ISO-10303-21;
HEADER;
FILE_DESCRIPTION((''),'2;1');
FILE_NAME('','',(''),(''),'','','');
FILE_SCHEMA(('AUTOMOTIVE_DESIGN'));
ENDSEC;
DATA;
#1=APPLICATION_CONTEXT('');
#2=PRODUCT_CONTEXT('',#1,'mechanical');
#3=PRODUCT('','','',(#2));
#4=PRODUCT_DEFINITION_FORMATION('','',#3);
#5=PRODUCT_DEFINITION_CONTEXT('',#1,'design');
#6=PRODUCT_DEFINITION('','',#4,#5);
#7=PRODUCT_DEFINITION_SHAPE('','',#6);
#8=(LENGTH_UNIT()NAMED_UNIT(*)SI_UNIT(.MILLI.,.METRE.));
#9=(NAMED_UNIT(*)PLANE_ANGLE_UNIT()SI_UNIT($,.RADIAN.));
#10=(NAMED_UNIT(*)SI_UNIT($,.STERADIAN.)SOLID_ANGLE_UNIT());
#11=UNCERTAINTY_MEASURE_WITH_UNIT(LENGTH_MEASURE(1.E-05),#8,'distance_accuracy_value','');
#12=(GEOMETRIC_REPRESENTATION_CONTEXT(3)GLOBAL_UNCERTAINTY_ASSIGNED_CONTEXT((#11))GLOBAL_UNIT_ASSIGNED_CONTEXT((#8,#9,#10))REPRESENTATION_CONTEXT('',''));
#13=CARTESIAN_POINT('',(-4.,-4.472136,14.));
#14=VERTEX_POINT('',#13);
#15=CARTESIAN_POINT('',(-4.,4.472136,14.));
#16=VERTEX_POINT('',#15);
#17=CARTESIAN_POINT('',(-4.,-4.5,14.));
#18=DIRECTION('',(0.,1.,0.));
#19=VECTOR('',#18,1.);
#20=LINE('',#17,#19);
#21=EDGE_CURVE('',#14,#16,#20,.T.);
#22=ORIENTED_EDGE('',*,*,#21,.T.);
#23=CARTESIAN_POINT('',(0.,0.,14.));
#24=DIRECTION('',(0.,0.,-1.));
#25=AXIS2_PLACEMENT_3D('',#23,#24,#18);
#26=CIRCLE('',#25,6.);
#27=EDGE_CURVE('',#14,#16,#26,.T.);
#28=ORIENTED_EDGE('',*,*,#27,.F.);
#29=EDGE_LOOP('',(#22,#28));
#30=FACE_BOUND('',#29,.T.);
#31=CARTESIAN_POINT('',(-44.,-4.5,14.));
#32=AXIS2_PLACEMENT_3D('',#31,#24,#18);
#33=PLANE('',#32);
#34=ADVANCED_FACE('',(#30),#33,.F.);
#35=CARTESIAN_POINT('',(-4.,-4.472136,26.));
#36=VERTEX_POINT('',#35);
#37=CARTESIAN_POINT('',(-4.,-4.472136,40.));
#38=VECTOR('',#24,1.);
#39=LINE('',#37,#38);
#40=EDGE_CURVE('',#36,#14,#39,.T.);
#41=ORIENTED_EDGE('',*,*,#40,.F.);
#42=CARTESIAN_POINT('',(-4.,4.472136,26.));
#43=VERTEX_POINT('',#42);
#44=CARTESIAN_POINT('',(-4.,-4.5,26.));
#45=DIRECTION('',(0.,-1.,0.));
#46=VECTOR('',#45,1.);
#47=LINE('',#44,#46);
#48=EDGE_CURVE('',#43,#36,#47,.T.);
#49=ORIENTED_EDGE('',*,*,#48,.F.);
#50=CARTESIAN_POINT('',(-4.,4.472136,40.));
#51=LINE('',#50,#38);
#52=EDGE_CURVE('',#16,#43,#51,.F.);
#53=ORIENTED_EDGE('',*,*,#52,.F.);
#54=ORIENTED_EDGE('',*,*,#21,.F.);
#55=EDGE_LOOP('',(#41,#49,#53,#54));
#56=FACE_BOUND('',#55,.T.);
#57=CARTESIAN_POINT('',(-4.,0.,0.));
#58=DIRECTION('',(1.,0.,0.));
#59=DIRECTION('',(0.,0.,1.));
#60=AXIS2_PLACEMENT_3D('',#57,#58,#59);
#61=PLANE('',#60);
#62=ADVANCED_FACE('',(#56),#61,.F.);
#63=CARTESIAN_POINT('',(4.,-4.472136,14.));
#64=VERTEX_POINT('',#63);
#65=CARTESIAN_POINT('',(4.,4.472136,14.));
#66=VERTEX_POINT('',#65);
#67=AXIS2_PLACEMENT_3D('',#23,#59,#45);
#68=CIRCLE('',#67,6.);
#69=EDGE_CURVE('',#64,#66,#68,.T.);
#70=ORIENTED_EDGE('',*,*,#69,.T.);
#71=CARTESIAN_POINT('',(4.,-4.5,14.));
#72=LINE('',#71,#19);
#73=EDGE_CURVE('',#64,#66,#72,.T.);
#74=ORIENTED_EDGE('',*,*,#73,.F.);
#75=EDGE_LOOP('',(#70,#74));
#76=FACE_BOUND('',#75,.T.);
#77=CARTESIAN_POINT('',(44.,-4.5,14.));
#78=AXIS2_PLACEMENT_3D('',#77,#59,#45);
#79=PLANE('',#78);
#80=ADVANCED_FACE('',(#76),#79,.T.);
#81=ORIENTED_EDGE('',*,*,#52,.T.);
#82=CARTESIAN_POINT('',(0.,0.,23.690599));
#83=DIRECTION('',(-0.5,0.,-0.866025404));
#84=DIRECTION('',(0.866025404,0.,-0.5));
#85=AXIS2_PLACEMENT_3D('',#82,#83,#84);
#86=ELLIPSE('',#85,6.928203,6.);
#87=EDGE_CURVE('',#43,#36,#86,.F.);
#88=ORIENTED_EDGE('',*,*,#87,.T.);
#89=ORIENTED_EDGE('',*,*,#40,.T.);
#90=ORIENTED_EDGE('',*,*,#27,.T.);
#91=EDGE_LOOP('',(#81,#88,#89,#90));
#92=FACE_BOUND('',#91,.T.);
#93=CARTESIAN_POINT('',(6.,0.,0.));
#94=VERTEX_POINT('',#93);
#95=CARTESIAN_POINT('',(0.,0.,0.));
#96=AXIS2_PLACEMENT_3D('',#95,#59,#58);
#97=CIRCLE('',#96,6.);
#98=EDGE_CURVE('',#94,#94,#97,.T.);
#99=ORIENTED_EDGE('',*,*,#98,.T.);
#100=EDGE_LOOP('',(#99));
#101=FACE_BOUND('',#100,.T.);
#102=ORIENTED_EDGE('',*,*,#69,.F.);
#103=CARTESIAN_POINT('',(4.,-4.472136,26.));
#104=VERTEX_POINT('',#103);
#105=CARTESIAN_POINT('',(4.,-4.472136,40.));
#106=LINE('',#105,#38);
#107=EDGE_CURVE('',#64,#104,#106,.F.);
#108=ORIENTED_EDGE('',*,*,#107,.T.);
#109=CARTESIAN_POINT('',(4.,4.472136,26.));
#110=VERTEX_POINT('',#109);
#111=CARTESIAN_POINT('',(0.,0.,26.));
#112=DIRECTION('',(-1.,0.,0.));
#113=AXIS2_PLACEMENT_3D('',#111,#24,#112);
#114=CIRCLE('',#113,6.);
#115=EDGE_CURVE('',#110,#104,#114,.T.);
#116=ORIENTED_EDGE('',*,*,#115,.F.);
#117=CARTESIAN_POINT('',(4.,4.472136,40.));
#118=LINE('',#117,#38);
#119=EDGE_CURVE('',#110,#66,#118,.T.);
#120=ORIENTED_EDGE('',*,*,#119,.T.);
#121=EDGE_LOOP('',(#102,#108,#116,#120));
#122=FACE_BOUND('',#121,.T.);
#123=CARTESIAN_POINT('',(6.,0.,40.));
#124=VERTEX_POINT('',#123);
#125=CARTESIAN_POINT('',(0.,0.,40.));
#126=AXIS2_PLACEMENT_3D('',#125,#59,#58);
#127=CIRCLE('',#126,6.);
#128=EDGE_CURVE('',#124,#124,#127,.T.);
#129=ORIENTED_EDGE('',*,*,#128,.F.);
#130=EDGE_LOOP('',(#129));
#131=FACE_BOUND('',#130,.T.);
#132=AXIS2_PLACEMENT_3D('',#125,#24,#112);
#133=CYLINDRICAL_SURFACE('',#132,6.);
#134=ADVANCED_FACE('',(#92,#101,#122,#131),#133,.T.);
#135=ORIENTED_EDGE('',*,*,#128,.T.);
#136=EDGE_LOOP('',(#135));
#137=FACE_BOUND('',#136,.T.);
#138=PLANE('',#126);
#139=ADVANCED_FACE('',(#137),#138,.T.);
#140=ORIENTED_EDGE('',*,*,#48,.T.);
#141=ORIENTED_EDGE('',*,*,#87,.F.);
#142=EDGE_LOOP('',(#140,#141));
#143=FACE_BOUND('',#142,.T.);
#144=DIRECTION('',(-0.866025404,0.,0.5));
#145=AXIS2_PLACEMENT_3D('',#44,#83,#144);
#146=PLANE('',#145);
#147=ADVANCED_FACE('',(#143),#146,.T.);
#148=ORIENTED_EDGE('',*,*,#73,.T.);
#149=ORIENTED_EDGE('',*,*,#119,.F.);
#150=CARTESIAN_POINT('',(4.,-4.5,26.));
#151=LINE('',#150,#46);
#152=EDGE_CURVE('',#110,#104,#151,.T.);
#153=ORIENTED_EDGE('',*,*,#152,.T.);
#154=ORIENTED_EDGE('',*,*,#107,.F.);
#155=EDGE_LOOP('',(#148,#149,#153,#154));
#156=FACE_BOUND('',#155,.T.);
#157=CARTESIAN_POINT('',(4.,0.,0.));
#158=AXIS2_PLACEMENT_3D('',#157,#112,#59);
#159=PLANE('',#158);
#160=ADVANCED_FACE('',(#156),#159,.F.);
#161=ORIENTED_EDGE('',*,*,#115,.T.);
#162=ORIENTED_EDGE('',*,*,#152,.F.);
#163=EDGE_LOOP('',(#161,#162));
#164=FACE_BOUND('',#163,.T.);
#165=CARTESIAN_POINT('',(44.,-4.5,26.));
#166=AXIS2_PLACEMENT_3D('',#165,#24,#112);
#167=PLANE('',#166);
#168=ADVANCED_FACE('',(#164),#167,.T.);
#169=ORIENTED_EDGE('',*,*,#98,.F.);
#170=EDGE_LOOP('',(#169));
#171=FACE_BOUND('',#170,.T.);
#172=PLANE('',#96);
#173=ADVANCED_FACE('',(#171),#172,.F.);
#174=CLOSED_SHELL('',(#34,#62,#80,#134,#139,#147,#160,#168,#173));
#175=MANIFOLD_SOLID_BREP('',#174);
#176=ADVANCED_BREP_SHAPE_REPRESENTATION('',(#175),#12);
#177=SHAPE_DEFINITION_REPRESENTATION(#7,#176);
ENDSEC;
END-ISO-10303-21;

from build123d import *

# Parameters (mm, degrees)
SKETCH_1_R          = 6
EXTRUDE_1_DEPTH     = 40
SKETCH_3_W          = 12
SKETCH_3_H          = 9
CUT_EXTRUDE_1_DEPTH = 40
DRAFT_3_ANGLE       = 30


with BuildPart() as part:
    # 草图1 → 凸台-拉伸1 (new body)
    with BuildSketch(Plane.XY):
        Circle(SKETCH_1_R)
    extrude(amount=EXTRUDE_1_DEPTH)

    # 草图3 → 切除-拉伸1 (cut)
    with BuildSketch(Plane(origin=(4, 0, 0), x_dir=(0, 0, -1), z_dir=(1, 0, 0))):
        with Locations((-20, 0)):
            Rectangle(SKETCH_3_W, SKETCH_3_H)
    cut_extrude_1 = extrude(amount=CUT_EXTRUDE_1_DEPTH, mode=Mode.SUBTRACT)

    # 镜向1: 切除-拉伸1 across plane
    add(cut_extrude_1.mirror(Plane(origin=(0, 0, 0), x_dir=(0, 0, 1), z_dir=(1, 0, 0))), mode=Mode.SUBTRACT)

    # 拔模3
    draft_3_faces = [part.faces().sort_by_distance(p)[0] for p in [
        (-4.812657334, 0, 26),
    ]]
    draft(draft_3_faces, Plane(origin=(-4, 0, 0), x_dir=(0, 0, -1), z_dir=(-1, 0, 0)), DRAFT_3_ANGLE)


solid = part.part
